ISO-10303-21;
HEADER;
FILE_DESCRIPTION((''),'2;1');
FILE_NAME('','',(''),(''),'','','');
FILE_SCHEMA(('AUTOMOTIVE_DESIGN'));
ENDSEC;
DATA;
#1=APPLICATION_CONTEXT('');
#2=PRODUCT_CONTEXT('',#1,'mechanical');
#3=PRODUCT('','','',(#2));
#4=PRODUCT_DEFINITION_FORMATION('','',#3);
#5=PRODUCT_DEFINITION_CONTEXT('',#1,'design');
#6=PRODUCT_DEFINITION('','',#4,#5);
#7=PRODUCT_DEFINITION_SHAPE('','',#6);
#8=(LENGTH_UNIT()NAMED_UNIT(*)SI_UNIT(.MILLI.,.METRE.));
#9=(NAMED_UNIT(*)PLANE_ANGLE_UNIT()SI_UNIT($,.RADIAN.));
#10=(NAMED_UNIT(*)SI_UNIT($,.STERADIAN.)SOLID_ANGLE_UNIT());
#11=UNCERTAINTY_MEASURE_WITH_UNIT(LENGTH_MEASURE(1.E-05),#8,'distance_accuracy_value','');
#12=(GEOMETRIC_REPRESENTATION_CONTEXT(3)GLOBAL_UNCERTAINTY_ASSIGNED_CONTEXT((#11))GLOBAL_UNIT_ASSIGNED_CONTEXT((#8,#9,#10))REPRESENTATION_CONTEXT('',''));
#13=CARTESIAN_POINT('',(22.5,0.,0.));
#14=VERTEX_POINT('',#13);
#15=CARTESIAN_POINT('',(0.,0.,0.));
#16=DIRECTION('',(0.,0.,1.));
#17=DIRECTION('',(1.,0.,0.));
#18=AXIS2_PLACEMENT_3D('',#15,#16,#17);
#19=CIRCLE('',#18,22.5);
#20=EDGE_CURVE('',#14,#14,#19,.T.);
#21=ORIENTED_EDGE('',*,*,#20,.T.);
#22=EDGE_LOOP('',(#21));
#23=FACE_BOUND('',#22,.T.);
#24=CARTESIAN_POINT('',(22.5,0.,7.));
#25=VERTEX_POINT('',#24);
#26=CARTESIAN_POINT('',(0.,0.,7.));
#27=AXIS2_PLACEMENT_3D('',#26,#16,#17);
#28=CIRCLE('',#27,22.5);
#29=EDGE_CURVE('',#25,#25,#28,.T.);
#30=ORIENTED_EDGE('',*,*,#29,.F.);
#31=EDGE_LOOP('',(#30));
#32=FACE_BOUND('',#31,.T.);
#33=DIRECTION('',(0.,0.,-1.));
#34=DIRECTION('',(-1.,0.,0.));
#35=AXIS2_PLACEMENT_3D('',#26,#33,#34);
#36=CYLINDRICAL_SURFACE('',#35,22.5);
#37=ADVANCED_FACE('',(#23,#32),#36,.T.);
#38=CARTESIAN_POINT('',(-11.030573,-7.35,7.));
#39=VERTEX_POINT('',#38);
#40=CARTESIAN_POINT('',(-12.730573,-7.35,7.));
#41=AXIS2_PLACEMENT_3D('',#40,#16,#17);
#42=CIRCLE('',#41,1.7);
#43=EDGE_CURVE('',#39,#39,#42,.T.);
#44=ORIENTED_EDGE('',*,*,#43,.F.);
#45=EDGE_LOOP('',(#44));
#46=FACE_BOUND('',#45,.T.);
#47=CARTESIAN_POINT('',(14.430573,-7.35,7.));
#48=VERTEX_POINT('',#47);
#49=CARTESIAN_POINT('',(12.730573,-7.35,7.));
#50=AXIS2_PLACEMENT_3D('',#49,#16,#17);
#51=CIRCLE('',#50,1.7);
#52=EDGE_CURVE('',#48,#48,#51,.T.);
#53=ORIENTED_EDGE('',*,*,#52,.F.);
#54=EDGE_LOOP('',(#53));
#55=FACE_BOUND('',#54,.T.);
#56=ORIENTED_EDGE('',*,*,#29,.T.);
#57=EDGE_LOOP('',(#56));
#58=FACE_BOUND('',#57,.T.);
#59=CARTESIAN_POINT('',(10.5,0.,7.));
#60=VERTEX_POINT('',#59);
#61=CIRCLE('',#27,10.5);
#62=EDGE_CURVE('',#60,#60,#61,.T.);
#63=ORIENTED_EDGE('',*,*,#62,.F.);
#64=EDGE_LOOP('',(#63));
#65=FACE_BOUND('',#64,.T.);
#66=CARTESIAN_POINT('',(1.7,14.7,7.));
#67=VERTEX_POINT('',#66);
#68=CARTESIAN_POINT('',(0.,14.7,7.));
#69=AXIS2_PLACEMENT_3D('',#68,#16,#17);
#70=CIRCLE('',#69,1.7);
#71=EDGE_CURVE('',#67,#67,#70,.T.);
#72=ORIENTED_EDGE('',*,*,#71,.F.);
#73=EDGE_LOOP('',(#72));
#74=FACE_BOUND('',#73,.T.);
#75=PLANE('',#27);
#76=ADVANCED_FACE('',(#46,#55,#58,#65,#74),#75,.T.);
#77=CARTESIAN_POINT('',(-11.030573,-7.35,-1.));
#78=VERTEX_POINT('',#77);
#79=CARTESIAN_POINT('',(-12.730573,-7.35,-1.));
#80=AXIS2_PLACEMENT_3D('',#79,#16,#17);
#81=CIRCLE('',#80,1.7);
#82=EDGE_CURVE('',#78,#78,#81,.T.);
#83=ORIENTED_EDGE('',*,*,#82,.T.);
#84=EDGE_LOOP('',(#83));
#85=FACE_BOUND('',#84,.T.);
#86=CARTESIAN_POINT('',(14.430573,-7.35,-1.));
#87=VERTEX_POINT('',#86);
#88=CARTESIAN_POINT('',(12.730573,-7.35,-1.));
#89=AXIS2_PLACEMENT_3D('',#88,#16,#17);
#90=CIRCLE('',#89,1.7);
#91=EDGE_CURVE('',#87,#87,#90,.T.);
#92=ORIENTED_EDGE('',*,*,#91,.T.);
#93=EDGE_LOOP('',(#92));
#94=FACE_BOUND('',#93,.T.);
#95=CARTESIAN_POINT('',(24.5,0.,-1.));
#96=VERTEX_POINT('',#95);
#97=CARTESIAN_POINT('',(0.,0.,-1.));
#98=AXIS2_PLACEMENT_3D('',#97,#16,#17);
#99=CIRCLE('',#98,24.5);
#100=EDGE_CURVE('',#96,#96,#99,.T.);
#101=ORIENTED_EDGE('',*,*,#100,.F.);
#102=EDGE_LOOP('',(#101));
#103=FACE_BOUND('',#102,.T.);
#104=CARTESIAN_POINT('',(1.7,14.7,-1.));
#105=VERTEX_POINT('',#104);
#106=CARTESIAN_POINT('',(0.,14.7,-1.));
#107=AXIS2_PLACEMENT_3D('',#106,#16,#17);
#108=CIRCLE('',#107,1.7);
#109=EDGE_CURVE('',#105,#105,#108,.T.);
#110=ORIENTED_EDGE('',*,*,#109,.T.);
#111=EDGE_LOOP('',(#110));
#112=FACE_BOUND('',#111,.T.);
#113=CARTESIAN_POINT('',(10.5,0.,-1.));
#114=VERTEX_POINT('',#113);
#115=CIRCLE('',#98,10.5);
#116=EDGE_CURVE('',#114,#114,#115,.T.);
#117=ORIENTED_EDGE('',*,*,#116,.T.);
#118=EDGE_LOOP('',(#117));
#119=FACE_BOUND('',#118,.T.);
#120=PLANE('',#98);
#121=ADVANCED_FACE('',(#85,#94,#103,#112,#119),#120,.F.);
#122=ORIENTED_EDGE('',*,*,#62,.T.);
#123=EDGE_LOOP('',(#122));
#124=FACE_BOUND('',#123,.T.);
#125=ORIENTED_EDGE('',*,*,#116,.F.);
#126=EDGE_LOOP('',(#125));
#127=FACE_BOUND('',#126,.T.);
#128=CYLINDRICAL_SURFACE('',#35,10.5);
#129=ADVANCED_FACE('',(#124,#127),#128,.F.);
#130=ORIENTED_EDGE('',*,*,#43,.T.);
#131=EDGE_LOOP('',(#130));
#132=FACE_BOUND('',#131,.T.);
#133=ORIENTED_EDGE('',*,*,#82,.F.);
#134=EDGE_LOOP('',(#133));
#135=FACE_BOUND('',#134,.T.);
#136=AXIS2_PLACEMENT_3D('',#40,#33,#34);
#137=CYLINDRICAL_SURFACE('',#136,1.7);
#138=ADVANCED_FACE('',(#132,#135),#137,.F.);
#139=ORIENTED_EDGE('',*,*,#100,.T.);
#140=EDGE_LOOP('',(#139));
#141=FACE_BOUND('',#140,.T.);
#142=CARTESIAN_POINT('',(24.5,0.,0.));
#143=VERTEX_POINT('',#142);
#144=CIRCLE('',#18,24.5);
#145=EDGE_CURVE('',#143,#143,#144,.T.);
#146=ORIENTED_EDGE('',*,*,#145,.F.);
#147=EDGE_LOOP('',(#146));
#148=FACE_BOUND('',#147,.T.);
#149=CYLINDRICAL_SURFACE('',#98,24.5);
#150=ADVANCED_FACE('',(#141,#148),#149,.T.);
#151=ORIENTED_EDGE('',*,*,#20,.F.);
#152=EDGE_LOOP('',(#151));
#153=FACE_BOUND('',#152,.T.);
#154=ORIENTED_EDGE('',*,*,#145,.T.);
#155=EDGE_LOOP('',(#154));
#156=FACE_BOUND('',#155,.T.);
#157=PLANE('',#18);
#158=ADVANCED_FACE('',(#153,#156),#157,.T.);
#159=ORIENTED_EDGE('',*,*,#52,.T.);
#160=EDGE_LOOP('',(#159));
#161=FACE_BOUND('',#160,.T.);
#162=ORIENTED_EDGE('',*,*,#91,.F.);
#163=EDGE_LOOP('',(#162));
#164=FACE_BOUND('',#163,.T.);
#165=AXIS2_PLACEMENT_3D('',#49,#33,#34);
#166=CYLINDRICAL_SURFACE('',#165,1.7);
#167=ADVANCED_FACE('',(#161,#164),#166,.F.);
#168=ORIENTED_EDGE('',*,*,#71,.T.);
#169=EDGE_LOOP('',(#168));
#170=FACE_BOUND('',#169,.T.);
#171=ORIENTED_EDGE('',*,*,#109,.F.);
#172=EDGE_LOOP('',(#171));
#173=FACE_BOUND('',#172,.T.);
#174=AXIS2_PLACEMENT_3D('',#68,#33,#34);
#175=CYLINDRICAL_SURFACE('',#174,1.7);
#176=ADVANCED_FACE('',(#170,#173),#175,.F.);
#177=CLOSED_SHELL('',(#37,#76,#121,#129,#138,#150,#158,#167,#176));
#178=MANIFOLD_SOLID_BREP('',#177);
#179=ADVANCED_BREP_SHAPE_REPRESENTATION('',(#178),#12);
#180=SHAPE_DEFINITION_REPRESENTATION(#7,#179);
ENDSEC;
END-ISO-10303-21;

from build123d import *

# Parameters (mm, degrees)
SKETCH1_R           = 22.5
SKETCH1_R_2         = 1.7
SKETCH1_R_3         = 10.5
BOSS_EXTRUDE2_DEPTH = 7
BOSS_EXTRUDE3_START = -1
SKETCH1_3_R         = 24.5
SKETCH1_3_R_2       = 1.7
SKETCH1_3_R_3       = 10.5
BOSS_EXTRUDE3_DEPTH = 1


with BuildPart() as part:
    # Sketch1 → Boss-Extrude2 (new body)
    with BuildSketch(Plane.XY):
        Circle(SKETCH1_R)
        with Locations((-12.730573436, -7.35)):
            Circle(SKETCH1_R_2, mode=Mode.SUBTRACT)
        Circle(SKETCH1_R_3, mode=Mode.SUBTRACT)
        with Locations((12.730573436, -7.35)):
            Circle(SKETCH1_R_2, mode=Mode.SUBTRACT)
        with Locations((0, 14.7)):
            Circle(SKETCH1_R_2, mode=Mode.SUBTRACT)
    extrude(amount=BOSS_EXTRUDE2_DEPTH)

    # Sketch1<3> → Boss-Extrude3 (add)
    with BuildSketch(Plane.XY.offset(BOSS_EXTRUDE3_START)):
        Circle(SKETCH1_3_R)
        with Locations((-12.730573436, -7.35)):
            Circle(SKETCH1_3_R_2, mode=Mode.SUBTRACT)
        Circle(SKETCH1_3_R_3, mode=Mode.SUBTRACT)
        with Locations((12.730573436, -7.35)):
            Circle(SKETCH1_3_R_2, mode=Mode.SUBTRACT)
        with Locations((0, 14.7)):
            Circle(SKETCH1_3_R_2, mode=Mode.SUBTRACT)
    extrude(amount=BOSS_EXTRUDE3_DEPTH)


solid = part.part
